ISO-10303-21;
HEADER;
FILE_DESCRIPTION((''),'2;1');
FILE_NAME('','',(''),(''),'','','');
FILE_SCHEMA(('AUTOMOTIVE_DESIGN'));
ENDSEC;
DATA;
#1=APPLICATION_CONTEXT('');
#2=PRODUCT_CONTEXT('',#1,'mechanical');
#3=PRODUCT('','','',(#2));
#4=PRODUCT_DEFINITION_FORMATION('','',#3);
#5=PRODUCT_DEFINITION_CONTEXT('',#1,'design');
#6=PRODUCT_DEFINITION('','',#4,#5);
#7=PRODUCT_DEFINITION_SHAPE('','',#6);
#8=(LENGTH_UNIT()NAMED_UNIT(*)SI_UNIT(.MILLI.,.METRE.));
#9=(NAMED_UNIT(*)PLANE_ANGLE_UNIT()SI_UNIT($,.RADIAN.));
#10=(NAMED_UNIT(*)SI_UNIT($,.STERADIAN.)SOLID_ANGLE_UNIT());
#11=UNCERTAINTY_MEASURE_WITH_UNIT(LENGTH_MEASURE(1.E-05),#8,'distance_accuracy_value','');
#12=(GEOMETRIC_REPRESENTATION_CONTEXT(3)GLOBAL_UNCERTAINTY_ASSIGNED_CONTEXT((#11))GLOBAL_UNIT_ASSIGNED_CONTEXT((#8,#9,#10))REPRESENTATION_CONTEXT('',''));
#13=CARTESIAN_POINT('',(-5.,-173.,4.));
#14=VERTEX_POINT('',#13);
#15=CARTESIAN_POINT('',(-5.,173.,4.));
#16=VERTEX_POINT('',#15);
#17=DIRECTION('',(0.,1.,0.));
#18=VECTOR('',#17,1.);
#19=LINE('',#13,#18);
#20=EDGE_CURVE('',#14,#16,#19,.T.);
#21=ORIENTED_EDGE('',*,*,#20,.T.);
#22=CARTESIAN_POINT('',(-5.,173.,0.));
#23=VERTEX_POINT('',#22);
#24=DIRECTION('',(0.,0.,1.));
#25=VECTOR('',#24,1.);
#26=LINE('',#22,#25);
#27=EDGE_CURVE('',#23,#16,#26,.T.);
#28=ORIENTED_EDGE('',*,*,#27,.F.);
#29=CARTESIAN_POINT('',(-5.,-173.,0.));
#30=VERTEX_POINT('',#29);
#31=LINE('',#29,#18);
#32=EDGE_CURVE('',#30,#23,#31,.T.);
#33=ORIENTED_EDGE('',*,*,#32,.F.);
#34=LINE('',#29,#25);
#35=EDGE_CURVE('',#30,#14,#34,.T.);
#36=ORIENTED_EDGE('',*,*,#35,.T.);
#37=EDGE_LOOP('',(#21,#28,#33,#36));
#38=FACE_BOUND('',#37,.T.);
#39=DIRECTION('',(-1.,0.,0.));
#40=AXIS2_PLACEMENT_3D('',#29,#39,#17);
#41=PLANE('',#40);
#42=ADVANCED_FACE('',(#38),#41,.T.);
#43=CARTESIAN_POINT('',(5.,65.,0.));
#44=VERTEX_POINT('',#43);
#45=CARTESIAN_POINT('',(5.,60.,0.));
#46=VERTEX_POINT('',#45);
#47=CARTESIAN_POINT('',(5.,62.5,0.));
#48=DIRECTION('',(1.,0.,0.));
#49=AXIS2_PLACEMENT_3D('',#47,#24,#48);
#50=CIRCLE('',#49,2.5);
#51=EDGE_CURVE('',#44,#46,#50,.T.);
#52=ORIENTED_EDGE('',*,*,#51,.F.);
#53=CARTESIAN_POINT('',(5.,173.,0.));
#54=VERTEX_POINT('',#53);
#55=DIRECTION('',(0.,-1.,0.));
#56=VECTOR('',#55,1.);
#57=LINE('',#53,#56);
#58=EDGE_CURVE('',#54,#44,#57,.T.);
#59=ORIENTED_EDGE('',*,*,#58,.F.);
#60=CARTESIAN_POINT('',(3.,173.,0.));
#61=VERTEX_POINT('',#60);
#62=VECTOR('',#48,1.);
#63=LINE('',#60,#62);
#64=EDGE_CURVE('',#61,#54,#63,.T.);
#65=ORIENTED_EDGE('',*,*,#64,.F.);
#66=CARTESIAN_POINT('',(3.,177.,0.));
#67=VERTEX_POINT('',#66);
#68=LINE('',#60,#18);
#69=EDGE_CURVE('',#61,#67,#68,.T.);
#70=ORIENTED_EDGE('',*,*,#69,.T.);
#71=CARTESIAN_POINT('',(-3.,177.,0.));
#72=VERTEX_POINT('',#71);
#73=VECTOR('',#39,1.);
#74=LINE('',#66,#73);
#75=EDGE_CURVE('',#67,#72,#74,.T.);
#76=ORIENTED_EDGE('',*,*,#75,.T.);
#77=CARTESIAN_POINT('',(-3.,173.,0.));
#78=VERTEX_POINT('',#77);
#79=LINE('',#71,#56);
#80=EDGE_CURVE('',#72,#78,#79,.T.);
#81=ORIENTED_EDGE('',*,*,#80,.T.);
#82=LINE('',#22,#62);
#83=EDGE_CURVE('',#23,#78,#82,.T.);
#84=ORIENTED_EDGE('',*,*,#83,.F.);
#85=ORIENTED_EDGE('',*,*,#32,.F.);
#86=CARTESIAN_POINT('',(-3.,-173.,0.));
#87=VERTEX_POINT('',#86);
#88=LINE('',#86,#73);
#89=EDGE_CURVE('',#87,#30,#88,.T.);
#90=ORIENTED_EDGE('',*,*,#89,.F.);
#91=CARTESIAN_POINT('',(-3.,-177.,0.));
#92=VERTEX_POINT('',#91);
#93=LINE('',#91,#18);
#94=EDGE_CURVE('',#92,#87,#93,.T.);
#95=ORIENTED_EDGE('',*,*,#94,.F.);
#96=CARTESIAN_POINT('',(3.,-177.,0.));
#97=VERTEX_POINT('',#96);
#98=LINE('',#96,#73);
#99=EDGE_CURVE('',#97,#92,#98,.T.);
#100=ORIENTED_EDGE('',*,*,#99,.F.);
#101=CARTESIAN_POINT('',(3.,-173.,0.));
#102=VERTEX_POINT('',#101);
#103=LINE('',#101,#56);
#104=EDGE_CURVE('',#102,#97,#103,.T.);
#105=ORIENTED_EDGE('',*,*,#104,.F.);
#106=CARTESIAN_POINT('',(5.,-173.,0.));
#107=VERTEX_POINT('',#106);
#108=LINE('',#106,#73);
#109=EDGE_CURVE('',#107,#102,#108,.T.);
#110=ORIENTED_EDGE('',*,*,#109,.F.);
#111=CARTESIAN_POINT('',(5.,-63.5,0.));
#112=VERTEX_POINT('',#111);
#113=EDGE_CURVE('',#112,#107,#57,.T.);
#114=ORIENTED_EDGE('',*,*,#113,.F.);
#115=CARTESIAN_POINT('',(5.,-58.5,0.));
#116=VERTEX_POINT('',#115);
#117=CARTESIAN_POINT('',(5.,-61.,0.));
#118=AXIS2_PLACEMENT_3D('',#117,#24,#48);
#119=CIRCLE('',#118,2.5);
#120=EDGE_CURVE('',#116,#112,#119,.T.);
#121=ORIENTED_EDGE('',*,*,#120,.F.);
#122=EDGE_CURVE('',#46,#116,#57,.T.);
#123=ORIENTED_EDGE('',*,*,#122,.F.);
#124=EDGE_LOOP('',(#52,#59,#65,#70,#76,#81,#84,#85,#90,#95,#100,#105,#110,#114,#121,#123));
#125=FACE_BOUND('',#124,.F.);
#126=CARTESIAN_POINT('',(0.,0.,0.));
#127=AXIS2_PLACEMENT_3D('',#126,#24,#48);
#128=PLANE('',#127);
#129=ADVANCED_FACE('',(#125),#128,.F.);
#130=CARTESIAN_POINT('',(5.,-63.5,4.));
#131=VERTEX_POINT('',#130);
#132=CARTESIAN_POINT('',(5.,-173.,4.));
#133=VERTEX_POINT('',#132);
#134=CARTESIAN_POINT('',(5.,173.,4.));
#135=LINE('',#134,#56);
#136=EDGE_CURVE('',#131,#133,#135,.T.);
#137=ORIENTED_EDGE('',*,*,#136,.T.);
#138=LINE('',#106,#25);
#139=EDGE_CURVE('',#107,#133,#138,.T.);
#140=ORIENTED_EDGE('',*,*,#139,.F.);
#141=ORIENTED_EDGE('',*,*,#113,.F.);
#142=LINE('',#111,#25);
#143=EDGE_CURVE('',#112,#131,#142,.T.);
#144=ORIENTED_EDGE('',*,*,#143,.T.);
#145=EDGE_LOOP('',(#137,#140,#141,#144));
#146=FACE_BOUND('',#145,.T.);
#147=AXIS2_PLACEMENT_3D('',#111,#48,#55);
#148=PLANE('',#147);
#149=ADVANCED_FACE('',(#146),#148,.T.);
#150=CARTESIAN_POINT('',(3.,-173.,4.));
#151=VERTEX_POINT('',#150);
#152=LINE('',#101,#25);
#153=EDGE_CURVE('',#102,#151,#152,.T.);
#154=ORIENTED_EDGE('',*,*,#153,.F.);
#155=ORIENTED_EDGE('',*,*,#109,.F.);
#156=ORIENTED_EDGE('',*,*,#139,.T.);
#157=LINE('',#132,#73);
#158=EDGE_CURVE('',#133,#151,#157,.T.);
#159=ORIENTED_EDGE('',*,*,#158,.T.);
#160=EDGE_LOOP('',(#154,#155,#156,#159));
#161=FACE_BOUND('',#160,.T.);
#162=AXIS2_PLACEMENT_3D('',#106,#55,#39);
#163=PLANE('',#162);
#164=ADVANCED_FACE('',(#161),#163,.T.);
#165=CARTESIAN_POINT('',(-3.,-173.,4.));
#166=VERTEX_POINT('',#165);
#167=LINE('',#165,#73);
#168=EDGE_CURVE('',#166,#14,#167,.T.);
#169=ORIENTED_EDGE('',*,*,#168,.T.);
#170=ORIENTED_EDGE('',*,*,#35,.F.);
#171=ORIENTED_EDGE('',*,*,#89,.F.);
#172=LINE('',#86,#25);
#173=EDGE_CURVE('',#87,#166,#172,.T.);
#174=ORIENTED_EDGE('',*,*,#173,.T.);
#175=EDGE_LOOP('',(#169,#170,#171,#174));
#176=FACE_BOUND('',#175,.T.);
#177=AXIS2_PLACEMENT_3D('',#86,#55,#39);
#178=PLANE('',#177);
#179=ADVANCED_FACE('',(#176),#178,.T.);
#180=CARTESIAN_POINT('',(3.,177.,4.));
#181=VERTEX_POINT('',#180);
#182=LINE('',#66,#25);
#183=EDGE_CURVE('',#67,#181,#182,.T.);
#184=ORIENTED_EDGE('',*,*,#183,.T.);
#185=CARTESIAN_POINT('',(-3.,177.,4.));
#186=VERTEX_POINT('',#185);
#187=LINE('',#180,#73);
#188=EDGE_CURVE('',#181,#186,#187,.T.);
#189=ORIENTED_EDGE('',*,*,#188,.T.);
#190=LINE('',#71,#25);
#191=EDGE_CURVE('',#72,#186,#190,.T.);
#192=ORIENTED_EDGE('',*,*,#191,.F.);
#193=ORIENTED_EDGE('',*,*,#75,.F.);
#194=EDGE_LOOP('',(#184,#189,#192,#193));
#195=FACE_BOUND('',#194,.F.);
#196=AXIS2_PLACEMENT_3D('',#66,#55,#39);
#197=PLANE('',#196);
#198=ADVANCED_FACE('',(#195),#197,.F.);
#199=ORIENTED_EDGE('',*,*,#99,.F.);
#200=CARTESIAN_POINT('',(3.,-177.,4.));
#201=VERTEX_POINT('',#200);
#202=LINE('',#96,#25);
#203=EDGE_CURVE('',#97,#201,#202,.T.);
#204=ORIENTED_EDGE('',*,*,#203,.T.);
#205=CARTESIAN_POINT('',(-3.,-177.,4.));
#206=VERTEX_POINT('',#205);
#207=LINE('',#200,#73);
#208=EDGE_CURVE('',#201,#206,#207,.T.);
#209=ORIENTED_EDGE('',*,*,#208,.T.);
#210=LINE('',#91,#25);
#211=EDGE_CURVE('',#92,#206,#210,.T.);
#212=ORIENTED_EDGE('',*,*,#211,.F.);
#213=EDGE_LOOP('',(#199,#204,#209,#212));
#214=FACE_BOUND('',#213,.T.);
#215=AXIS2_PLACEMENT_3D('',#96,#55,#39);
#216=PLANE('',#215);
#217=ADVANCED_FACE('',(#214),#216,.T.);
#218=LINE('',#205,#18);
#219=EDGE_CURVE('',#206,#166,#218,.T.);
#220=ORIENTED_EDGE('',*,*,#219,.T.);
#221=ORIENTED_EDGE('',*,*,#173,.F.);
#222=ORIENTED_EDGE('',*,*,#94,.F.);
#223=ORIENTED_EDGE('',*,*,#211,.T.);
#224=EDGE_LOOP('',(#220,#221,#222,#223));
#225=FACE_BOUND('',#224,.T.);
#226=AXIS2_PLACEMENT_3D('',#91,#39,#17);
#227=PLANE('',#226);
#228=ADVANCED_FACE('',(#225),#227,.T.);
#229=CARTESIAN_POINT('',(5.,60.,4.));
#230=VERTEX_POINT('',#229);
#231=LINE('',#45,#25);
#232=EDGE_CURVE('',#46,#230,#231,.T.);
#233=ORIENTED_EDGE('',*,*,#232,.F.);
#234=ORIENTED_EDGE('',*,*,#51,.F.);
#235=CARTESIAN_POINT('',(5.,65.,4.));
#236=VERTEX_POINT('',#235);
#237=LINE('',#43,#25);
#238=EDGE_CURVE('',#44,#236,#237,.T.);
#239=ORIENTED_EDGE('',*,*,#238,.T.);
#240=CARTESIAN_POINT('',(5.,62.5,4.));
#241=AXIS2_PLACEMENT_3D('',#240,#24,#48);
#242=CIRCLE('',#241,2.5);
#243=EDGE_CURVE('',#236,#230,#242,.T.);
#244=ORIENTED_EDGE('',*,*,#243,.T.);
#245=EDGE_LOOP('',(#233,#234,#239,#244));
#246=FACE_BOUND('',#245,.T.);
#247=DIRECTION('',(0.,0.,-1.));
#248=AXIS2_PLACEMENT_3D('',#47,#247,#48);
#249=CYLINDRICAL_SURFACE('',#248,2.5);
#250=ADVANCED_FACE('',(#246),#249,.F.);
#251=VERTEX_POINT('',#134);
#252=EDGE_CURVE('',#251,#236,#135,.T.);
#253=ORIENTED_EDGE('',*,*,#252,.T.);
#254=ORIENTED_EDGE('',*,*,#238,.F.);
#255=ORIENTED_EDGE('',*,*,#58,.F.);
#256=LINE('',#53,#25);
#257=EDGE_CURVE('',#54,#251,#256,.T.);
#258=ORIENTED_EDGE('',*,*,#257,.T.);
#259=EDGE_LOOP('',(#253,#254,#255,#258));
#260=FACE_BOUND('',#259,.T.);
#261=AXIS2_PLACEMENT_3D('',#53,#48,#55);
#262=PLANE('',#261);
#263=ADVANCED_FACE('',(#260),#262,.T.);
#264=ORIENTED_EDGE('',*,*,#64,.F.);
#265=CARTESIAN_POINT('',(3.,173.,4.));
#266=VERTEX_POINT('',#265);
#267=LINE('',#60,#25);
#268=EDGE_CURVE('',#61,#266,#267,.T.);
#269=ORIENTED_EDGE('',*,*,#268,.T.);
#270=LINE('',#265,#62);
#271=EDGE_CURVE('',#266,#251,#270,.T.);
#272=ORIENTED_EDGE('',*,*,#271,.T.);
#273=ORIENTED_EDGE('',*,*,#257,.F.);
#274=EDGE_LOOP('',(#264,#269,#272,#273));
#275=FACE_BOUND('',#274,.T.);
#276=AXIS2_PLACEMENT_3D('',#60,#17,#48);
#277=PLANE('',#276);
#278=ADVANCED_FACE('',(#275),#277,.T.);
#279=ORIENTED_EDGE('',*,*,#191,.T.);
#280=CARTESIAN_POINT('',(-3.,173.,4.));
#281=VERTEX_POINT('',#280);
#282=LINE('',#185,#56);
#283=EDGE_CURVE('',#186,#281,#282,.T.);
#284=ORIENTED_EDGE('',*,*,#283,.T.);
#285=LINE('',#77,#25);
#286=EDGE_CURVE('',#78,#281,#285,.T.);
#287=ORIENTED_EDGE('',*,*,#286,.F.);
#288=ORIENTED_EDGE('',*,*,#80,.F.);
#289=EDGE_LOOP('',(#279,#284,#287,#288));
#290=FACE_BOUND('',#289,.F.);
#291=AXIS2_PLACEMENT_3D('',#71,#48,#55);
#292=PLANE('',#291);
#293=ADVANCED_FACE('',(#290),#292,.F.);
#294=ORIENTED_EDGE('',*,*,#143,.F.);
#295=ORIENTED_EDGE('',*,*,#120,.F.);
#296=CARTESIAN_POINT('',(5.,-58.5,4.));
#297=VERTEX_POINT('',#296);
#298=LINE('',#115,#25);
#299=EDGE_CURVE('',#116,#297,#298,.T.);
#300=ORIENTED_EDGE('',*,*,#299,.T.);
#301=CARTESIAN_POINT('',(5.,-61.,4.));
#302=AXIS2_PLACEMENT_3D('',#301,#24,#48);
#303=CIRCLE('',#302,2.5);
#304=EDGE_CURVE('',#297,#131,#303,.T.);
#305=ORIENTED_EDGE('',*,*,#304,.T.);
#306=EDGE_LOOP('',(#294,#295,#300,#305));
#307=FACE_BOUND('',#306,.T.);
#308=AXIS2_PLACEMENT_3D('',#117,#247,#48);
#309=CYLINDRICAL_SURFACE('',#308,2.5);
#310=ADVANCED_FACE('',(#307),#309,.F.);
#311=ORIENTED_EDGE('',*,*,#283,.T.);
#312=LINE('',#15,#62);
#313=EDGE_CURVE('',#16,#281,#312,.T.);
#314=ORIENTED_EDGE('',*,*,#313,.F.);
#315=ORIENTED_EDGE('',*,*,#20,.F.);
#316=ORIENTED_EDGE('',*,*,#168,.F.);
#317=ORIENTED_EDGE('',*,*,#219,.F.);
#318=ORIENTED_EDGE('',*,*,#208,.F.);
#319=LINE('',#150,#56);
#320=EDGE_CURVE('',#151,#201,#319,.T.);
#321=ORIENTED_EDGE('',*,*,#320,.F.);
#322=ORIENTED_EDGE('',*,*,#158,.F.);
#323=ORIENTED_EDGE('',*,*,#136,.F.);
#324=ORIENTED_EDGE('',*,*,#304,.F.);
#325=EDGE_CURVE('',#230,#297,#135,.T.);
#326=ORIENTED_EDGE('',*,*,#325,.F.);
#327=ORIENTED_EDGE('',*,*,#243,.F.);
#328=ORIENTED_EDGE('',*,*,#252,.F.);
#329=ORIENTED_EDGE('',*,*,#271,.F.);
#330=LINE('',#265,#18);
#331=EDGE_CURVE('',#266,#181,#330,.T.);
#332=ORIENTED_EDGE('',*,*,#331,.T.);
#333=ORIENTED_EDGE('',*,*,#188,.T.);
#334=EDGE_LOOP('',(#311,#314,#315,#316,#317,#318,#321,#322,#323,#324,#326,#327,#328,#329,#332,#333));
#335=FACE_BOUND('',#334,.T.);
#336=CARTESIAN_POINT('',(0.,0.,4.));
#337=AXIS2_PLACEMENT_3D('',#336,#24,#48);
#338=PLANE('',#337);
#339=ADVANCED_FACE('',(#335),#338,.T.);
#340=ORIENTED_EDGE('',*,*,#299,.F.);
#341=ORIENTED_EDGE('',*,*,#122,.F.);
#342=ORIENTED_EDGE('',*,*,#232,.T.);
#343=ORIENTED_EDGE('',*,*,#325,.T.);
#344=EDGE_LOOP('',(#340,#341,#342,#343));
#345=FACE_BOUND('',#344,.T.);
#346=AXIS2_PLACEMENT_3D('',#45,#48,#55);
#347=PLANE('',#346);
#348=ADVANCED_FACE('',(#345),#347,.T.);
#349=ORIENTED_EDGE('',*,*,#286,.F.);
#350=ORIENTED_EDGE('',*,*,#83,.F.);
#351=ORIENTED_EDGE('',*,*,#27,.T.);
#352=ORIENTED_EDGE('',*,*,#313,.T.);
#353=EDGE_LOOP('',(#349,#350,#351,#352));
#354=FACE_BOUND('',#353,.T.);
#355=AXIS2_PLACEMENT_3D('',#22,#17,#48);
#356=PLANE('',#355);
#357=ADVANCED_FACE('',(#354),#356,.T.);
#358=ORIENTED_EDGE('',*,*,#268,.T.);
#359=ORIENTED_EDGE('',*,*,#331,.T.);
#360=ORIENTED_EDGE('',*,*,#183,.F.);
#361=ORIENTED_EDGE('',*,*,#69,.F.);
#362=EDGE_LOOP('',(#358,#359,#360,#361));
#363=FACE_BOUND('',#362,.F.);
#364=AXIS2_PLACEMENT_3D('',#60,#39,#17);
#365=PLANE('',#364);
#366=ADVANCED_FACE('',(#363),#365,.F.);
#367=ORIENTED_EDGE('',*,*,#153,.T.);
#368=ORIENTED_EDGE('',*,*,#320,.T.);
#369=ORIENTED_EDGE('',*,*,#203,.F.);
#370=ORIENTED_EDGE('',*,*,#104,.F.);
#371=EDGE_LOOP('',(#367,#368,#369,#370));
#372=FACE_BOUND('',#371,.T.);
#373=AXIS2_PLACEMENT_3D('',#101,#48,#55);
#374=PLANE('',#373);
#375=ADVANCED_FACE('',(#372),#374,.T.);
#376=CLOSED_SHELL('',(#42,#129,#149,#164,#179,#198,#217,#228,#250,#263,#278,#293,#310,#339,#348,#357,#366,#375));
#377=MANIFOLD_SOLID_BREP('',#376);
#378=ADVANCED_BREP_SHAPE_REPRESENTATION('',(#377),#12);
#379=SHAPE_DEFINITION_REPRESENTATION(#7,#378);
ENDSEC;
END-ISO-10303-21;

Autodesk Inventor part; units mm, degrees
ref_plane "YZ Plane" through (0, 0, 0) normal (1, 0, 0) x (0, 1, 0)
ref_plane "XZ Plane" through (0, 0, 0) normal (0, 1, 0) x (-1, 0, 0)
ref_plane "XY Plane" through (0, 0, 0) normal (0, 0, 1) x (1, 0, 0)
sketch "Sketch1" plane through (0, 0, 0) normal (0, 0, 1) x (1, 0, 0)
  line L0 (-5, 173) -> (-3, 173)
  line L1 (5, 173) -> (5, -173)
  line L2 (5, -173) -> (3, -173)
  line L3 (-5, -173) -> (-5, 173)
  circle A0 centre (5, 62.5) radius 2.5
  circle A1 centre (5, -61) radius 2.5
  line L4 (-3, 173) -> (3, 173) construction
  line L5 (3, 173) -> (3, 177)
  line L6 (3, 177) -> (-3, 177)
  line L7 (-3, 177) -> (-3, 173)
  line L8 (-3, -173) -> (3, -173) construction
  line L9 (3, -173) -> (3, -177)
  line L10 (3, -177) -> (-3, -177)
  line L11 (-3, -177) -> (-3, -173)
  line L12 (0, 173) -> (0, -173)
  line L13 (-3, 173) -> (3, 173) construction
  line L14 (3, 173) -> (5, 173)
  line L15 (-3, -173) -> (-5, -173)
  line L16 (3, -173) -> (-3, -173) construction
  point P0 (0, 0)
  point P1 (0, 0)
  point P2 (5, -63.5)
  point P3 (5, -58.5)
  point P4 (5, 60)
  point P5 (5, 65)
  dimension "d0" = 5
  dimension "d4" = 10
  dimension "d5" = 6
  dimension "d6" = 4
  dimension "d7" = 346
  dimension "d8" = 110.5
  dimension "d9" = 112
extrude "Extrusion1" add sketch "Sketch1" along normal blind 4 contours L0 L7 L6 L5 L14 L1 A0 A1 L2 L9 L10 L11 L15 L3
properties part number "ReedRail_V2" material "Wood (Oak)"
